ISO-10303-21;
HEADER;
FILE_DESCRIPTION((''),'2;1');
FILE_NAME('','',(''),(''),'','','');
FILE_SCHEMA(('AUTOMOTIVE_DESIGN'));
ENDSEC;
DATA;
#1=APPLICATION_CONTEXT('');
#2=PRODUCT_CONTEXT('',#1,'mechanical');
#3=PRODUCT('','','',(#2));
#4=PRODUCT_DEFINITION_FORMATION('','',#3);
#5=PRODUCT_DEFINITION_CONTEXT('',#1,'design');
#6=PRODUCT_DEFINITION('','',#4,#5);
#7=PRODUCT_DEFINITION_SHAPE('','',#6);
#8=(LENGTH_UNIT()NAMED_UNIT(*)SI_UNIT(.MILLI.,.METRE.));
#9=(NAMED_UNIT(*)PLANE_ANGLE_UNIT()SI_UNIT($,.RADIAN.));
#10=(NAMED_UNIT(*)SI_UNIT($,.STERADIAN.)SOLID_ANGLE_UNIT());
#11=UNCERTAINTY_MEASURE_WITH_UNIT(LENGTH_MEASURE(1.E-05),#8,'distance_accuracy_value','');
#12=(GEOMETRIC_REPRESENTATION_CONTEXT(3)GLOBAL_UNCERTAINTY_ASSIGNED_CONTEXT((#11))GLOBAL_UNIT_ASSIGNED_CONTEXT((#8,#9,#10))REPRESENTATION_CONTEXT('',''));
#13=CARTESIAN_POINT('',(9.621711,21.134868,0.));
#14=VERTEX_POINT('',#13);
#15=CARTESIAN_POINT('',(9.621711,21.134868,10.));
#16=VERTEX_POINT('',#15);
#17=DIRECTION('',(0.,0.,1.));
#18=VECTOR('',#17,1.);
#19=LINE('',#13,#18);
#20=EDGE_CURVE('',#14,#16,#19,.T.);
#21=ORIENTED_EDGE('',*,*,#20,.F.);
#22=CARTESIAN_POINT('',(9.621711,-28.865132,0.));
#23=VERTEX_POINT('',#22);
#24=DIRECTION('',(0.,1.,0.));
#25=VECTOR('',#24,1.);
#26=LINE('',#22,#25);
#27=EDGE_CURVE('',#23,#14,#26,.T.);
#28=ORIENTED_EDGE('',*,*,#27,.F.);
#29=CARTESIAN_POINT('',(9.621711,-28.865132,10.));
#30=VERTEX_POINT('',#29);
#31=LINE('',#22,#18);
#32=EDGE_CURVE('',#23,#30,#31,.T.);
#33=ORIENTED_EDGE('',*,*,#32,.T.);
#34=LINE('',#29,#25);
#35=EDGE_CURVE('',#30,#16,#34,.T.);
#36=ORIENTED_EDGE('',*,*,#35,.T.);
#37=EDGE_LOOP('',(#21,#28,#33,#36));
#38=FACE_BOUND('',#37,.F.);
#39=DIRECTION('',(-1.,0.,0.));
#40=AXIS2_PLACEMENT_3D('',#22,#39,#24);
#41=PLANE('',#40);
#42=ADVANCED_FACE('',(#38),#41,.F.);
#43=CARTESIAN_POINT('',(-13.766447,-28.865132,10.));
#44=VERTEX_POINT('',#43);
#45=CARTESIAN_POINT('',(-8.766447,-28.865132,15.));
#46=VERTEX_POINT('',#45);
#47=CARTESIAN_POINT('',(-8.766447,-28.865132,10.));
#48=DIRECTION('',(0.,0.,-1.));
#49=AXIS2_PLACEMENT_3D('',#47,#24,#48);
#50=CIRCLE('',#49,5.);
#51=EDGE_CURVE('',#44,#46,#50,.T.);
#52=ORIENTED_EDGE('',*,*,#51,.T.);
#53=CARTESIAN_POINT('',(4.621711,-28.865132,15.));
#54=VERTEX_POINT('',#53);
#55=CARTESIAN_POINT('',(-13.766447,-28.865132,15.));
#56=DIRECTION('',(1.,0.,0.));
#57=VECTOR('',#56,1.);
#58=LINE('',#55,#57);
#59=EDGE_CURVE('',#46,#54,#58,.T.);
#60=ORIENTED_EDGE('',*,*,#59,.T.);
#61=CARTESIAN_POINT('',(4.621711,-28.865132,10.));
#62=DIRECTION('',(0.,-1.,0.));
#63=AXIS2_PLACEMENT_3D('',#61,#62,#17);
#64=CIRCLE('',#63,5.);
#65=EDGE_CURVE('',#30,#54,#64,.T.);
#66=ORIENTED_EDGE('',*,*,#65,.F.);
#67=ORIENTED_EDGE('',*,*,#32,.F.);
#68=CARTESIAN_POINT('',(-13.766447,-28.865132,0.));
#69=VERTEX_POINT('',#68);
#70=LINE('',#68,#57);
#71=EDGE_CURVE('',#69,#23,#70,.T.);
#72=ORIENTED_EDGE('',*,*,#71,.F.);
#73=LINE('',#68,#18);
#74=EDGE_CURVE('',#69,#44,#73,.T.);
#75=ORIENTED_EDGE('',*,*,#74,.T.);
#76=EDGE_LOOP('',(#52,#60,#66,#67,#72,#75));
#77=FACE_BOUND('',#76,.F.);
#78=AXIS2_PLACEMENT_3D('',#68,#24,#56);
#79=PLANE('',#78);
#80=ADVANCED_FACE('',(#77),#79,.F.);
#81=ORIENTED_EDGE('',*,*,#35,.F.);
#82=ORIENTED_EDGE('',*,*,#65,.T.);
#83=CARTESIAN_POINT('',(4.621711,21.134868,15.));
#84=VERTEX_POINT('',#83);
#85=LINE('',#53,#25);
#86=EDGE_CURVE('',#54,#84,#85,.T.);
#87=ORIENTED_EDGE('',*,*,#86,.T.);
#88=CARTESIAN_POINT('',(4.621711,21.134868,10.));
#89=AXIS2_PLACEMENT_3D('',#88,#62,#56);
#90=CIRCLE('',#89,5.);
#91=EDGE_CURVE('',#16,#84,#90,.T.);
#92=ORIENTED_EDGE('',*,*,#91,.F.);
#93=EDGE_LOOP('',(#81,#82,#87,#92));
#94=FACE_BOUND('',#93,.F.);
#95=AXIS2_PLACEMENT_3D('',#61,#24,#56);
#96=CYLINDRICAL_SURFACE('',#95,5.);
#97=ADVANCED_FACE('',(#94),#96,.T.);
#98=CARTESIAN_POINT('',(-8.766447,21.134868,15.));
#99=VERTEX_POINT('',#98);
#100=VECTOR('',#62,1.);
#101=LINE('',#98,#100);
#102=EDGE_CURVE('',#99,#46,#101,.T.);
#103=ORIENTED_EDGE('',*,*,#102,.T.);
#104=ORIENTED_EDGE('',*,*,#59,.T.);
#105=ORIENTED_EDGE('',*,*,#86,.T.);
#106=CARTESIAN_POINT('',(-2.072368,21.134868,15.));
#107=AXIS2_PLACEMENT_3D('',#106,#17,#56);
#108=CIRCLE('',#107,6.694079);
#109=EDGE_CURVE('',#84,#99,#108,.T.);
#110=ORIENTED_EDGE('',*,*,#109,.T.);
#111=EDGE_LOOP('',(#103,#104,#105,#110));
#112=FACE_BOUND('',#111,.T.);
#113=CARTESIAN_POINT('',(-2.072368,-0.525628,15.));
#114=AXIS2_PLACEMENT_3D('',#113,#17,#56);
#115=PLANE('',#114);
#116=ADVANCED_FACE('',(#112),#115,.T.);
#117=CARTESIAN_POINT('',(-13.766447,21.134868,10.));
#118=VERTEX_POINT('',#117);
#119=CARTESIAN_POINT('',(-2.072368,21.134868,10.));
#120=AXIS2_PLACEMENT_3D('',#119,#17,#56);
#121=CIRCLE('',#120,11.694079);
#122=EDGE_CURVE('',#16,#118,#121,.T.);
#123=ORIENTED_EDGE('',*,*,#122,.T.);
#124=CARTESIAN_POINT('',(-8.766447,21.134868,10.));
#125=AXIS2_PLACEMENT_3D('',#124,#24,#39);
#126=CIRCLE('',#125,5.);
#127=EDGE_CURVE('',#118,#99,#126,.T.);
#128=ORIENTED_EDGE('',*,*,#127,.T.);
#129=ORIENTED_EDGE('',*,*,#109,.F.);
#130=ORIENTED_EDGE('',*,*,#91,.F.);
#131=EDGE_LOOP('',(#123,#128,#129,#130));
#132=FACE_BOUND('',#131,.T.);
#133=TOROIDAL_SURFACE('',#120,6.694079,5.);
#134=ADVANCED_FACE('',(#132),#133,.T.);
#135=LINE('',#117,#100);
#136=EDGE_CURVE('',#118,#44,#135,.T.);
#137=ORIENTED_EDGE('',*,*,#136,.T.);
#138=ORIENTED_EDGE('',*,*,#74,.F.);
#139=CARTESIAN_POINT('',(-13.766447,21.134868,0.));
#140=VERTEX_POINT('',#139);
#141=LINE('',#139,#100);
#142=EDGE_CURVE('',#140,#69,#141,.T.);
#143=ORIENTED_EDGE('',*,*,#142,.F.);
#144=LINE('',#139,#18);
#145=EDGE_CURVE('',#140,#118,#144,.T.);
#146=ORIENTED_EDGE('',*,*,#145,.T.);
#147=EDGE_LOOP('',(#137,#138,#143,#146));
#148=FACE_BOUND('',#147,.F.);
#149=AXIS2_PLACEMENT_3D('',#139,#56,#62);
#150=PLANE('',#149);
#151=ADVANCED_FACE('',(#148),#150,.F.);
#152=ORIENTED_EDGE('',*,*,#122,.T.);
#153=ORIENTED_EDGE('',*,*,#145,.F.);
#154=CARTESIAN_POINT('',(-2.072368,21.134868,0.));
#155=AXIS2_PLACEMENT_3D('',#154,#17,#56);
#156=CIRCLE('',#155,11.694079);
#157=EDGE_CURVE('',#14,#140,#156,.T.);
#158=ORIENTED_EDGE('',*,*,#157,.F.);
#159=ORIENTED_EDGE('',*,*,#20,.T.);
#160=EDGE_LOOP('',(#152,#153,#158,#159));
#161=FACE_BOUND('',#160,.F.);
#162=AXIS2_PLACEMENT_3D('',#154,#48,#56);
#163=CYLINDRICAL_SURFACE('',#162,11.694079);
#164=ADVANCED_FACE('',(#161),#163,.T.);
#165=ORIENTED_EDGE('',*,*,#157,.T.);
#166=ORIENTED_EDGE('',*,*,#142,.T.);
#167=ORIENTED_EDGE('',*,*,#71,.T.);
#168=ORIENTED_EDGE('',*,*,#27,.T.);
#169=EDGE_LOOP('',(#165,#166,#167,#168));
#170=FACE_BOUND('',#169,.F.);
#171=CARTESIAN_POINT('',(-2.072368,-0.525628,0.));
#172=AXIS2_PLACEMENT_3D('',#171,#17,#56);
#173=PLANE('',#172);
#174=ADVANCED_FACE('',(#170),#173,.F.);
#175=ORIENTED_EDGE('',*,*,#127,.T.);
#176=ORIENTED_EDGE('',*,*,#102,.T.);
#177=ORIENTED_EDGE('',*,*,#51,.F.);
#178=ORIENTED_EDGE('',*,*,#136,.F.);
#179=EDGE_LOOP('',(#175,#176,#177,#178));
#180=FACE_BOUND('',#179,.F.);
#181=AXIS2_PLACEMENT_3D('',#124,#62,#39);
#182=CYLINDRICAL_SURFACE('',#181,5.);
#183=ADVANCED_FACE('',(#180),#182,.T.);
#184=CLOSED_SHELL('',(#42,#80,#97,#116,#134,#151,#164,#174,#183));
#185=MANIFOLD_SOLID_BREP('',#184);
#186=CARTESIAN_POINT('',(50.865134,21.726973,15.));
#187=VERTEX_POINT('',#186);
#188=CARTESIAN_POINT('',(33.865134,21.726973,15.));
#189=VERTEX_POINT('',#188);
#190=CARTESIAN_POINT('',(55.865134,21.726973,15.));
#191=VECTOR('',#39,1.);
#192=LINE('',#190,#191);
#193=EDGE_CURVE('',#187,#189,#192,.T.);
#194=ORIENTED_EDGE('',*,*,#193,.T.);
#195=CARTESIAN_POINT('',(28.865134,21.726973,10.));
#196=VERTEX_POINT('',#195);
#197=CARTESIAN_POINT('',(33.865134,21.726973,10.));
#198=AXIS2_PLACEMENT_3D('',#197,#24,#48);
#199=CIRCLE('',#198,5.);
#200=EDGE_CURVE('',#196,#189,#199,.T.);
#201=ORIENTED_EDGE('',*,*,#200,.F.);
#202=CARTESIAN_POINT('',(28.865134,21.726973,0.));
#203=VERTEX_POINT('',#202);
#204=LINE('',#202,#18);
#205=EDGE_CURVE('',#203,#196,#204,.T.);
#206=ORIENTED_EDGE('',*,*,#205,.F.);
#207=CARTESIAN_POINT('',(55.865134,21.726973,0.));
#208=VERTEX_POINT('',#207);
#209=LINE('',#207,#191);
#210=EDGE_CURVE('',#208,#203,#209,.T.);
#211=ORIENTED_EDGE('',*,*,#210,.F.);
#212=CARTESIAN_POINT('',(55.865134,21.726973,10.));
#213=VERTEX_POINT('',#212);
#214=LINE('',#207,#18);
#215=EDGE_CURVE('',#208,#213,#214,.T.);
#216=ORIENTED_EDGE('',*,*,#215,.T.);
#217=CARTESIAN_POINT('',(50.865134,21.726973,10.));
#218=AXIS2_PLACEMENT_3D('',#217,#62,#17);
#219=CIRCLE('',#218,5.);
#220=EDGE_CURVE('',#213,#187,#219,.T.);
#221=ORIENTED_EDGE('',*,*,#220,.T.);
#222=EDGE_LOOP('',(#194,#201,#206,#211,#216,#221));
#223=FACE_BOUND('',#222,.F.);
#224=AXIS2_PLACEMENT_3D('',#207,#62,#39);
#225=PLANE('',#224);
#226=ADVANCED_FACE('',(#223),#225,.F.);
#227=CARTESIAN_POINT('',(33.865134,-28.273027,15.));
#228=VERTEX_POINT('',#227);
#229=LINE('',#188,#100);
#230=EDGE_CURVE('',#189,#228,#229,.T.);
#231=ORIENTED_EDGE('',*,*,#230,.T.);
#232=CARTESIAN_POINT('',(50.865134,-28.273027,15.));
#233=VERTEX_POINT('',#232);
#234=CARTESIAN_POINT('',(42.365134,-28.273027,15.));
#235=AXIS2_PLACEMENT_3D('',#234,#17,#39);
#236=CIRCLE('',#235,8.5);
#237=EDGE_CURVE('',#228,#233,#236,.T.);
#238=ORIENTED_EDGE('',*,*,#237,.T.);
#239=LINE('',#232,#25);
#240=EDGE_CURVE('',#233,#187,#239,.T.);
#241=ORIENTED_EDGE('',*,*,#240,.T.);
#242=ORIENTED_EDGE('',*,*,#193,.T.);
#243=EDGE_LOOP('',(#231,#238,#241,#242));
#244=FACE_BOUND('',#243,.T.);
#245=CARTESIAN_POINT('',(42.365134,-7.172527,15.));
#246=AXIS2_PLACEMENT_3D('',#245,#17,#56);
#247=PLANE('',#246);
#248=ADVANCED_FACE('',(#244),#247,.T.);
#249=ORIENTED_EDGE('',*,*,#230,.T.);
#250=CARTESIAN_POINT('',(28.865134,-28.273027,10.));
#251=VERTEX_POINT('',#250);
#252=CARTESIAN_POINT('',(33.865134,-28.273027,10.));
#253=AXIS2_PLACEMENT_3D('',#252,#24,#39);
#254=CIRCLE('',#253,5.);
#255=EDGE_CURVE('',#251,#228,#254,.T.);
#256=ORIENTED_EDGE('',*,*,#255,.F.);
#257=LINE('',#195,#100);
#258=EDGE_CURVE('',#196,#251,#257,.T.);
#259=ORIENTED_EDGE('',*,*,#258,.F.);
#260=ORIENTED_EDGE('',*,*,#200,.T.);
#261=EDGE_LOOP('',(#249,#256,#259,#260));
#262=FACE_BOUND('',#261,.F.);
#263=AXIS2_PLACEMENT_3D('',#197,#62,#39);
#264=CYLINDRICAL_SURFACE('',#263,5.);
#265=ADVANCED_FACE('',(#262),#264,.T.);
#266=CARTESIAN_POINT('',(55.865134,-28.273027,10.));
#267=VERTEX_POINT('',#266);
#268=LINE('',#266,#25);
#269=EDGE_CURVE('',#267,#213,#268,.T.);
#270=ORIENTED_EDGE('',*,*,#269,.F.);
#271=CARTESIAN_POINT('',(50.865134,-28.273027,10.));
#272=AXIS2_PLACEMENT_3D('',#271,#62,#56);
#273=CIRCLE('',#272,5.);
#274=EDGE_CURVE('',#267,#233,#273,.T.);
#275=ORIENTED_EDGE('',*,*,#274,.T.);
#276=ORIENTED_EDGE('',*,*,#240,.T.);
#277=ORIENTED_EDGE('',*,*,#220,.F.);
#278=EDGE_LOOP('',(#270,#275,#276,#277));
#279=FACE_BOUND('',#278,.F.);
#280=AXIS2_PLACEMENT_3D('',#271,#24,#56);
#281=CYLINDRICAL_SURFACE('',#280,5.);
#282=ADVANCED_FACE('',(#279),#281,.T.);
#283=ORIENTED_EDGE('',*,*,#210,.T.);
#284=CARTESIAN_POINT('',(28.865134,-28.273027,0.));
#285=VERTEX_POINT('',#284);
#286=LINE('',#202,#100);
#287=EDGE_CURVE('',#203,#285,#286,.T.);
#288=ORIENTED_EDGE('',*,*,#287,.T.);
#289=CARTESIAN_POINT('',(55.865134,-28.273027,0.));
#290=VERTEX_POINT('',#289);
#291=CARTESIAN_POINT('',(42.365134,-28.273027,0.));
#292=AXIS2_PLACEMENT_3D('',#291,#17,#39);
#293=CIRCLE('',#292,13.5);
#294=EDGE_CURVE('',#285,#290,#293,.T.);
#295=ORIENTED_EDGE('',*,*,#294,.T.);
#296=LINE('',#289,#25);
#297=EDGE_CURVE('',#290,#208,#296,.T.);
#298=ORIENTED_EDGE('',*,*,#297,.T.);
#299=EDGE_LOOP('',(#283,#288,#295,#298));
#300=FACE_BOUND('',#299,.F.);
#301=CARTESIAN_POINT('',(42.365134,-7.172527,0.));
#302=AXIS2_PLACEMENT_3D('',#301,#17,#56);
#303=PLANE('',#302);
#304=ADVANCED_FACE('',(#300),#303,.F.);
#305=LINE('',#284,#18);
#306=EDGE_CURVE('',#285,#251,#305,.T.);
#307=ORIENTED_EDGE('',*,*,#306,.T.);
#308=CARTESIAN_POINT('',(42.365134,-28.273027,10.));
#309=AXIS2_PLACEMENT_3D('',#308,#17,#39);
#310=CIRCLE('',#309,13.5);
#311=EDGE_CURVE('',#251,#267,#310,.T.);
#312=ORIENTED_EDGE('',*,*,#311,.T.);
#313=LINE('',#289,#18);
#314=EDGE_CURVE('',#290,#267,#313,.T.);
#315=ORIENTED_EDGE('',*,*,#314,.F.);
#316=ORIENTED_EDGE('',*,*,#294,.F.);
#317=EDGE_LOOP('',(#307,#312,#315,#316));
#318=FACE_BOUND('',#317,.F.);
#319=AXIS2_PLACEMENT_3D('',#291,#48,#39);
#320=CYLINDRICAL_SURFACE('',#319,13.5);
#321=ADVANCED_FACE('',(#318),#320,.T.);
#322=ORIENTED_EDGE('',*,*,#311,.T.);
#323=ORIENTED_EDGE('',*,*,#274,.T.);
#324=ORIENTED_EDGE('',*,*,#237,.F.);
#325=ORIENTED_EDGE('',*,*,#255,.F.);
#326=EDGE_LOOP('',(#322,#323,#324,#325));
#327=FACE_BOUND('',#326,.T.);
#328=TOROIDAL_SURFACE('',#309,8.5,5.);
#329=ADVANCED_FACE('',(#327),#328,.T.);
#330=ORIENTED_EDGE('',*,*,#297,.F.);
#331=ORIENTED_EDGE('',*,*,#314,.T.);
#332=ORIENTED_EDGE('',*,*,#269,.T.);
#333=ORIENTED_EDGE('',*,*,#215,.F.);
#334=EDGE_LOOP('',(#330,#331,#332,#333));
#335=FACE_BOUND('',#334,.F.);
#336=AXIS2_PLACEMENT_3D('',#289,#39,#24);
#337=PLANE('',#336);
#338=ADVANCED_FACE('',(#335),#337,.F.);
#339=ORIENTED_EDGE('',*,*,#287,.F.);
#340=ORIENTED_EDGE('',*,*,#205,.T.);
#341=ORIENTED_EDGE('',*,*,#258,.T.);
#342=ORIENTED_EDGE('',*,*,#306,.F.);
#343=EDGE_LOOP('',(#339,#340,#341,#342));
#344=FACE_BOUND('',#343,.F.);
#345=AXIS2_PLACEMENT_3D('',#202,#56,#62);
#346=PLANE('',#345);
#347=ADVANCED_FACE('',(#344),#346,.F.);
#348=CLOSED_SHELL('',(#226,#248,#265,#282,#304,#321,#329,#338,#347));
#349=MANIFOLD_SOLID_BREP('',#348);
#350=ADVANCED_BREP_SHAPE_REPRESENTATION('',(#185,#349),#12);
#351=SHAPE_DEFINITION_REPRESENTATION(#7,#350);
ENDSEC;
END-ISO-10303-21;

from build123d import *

# Parameters (mm, degrees)
F1_DEPTH = 15
F3_DEPTH = 15
F4_R     = 5
F4_2_R   = 5


with BuildPart() as f1:
    # F0 (on Top) → F1 (new body)
    with BuildSketch(Plane.XY):
        with BuildLine():
            ThreePointArc((9.621711, 21.134868), (-2.072368, 32.828947), (-13.766447, 21.134868))
            Line((-13.766447, 21.134868), (-13.766447, -28.865132))
            Line((-13.766447, -28.865132), (9.621711, -28.865132))
            Line((9.621711, -28.865132), (9.621711, 21.134868))
        make_face()
    extrude(amount=F1_DEPTH)

    # F4
    f4_edges = [f1.edges().sort_by_distance(p)[0] for p in [
        (-13.766447, -3.865132, 15),
    ]]
    fillet(f4_edges, radius=F4_R)


with BuildPart() as f3:
    # F2 (on Top) → F3 (new body)
    with BuildSketch(Plane.XY):
        with BuildLine():
            Line((48.865134, 21.726973), (28.865134, 21.726973))
            Line((28.865134, 21.726973), (28.865134, -28.273027))
            ThreePointArc((28.865134, -28.273027), (42.365134, -41.773027), (55.865134, -28.273027))
            Line((55.865134, -28.273027), (55.865134, 21.726973))
            Line((55.865134, 21.726973), (48.865134, 21.726973))
        make_face()
    extrude(amount=F3_DEPTH)

    # F4#2
    f4_2_edges = [f3.edges().sort_by_distance(p)[0] for p in [
        (28.865134, -3.273027, 15),
    ]]
    fillet(f4_2_edges, radius=F4_2_R)


solid = Compound([f1.part, f3.part])
